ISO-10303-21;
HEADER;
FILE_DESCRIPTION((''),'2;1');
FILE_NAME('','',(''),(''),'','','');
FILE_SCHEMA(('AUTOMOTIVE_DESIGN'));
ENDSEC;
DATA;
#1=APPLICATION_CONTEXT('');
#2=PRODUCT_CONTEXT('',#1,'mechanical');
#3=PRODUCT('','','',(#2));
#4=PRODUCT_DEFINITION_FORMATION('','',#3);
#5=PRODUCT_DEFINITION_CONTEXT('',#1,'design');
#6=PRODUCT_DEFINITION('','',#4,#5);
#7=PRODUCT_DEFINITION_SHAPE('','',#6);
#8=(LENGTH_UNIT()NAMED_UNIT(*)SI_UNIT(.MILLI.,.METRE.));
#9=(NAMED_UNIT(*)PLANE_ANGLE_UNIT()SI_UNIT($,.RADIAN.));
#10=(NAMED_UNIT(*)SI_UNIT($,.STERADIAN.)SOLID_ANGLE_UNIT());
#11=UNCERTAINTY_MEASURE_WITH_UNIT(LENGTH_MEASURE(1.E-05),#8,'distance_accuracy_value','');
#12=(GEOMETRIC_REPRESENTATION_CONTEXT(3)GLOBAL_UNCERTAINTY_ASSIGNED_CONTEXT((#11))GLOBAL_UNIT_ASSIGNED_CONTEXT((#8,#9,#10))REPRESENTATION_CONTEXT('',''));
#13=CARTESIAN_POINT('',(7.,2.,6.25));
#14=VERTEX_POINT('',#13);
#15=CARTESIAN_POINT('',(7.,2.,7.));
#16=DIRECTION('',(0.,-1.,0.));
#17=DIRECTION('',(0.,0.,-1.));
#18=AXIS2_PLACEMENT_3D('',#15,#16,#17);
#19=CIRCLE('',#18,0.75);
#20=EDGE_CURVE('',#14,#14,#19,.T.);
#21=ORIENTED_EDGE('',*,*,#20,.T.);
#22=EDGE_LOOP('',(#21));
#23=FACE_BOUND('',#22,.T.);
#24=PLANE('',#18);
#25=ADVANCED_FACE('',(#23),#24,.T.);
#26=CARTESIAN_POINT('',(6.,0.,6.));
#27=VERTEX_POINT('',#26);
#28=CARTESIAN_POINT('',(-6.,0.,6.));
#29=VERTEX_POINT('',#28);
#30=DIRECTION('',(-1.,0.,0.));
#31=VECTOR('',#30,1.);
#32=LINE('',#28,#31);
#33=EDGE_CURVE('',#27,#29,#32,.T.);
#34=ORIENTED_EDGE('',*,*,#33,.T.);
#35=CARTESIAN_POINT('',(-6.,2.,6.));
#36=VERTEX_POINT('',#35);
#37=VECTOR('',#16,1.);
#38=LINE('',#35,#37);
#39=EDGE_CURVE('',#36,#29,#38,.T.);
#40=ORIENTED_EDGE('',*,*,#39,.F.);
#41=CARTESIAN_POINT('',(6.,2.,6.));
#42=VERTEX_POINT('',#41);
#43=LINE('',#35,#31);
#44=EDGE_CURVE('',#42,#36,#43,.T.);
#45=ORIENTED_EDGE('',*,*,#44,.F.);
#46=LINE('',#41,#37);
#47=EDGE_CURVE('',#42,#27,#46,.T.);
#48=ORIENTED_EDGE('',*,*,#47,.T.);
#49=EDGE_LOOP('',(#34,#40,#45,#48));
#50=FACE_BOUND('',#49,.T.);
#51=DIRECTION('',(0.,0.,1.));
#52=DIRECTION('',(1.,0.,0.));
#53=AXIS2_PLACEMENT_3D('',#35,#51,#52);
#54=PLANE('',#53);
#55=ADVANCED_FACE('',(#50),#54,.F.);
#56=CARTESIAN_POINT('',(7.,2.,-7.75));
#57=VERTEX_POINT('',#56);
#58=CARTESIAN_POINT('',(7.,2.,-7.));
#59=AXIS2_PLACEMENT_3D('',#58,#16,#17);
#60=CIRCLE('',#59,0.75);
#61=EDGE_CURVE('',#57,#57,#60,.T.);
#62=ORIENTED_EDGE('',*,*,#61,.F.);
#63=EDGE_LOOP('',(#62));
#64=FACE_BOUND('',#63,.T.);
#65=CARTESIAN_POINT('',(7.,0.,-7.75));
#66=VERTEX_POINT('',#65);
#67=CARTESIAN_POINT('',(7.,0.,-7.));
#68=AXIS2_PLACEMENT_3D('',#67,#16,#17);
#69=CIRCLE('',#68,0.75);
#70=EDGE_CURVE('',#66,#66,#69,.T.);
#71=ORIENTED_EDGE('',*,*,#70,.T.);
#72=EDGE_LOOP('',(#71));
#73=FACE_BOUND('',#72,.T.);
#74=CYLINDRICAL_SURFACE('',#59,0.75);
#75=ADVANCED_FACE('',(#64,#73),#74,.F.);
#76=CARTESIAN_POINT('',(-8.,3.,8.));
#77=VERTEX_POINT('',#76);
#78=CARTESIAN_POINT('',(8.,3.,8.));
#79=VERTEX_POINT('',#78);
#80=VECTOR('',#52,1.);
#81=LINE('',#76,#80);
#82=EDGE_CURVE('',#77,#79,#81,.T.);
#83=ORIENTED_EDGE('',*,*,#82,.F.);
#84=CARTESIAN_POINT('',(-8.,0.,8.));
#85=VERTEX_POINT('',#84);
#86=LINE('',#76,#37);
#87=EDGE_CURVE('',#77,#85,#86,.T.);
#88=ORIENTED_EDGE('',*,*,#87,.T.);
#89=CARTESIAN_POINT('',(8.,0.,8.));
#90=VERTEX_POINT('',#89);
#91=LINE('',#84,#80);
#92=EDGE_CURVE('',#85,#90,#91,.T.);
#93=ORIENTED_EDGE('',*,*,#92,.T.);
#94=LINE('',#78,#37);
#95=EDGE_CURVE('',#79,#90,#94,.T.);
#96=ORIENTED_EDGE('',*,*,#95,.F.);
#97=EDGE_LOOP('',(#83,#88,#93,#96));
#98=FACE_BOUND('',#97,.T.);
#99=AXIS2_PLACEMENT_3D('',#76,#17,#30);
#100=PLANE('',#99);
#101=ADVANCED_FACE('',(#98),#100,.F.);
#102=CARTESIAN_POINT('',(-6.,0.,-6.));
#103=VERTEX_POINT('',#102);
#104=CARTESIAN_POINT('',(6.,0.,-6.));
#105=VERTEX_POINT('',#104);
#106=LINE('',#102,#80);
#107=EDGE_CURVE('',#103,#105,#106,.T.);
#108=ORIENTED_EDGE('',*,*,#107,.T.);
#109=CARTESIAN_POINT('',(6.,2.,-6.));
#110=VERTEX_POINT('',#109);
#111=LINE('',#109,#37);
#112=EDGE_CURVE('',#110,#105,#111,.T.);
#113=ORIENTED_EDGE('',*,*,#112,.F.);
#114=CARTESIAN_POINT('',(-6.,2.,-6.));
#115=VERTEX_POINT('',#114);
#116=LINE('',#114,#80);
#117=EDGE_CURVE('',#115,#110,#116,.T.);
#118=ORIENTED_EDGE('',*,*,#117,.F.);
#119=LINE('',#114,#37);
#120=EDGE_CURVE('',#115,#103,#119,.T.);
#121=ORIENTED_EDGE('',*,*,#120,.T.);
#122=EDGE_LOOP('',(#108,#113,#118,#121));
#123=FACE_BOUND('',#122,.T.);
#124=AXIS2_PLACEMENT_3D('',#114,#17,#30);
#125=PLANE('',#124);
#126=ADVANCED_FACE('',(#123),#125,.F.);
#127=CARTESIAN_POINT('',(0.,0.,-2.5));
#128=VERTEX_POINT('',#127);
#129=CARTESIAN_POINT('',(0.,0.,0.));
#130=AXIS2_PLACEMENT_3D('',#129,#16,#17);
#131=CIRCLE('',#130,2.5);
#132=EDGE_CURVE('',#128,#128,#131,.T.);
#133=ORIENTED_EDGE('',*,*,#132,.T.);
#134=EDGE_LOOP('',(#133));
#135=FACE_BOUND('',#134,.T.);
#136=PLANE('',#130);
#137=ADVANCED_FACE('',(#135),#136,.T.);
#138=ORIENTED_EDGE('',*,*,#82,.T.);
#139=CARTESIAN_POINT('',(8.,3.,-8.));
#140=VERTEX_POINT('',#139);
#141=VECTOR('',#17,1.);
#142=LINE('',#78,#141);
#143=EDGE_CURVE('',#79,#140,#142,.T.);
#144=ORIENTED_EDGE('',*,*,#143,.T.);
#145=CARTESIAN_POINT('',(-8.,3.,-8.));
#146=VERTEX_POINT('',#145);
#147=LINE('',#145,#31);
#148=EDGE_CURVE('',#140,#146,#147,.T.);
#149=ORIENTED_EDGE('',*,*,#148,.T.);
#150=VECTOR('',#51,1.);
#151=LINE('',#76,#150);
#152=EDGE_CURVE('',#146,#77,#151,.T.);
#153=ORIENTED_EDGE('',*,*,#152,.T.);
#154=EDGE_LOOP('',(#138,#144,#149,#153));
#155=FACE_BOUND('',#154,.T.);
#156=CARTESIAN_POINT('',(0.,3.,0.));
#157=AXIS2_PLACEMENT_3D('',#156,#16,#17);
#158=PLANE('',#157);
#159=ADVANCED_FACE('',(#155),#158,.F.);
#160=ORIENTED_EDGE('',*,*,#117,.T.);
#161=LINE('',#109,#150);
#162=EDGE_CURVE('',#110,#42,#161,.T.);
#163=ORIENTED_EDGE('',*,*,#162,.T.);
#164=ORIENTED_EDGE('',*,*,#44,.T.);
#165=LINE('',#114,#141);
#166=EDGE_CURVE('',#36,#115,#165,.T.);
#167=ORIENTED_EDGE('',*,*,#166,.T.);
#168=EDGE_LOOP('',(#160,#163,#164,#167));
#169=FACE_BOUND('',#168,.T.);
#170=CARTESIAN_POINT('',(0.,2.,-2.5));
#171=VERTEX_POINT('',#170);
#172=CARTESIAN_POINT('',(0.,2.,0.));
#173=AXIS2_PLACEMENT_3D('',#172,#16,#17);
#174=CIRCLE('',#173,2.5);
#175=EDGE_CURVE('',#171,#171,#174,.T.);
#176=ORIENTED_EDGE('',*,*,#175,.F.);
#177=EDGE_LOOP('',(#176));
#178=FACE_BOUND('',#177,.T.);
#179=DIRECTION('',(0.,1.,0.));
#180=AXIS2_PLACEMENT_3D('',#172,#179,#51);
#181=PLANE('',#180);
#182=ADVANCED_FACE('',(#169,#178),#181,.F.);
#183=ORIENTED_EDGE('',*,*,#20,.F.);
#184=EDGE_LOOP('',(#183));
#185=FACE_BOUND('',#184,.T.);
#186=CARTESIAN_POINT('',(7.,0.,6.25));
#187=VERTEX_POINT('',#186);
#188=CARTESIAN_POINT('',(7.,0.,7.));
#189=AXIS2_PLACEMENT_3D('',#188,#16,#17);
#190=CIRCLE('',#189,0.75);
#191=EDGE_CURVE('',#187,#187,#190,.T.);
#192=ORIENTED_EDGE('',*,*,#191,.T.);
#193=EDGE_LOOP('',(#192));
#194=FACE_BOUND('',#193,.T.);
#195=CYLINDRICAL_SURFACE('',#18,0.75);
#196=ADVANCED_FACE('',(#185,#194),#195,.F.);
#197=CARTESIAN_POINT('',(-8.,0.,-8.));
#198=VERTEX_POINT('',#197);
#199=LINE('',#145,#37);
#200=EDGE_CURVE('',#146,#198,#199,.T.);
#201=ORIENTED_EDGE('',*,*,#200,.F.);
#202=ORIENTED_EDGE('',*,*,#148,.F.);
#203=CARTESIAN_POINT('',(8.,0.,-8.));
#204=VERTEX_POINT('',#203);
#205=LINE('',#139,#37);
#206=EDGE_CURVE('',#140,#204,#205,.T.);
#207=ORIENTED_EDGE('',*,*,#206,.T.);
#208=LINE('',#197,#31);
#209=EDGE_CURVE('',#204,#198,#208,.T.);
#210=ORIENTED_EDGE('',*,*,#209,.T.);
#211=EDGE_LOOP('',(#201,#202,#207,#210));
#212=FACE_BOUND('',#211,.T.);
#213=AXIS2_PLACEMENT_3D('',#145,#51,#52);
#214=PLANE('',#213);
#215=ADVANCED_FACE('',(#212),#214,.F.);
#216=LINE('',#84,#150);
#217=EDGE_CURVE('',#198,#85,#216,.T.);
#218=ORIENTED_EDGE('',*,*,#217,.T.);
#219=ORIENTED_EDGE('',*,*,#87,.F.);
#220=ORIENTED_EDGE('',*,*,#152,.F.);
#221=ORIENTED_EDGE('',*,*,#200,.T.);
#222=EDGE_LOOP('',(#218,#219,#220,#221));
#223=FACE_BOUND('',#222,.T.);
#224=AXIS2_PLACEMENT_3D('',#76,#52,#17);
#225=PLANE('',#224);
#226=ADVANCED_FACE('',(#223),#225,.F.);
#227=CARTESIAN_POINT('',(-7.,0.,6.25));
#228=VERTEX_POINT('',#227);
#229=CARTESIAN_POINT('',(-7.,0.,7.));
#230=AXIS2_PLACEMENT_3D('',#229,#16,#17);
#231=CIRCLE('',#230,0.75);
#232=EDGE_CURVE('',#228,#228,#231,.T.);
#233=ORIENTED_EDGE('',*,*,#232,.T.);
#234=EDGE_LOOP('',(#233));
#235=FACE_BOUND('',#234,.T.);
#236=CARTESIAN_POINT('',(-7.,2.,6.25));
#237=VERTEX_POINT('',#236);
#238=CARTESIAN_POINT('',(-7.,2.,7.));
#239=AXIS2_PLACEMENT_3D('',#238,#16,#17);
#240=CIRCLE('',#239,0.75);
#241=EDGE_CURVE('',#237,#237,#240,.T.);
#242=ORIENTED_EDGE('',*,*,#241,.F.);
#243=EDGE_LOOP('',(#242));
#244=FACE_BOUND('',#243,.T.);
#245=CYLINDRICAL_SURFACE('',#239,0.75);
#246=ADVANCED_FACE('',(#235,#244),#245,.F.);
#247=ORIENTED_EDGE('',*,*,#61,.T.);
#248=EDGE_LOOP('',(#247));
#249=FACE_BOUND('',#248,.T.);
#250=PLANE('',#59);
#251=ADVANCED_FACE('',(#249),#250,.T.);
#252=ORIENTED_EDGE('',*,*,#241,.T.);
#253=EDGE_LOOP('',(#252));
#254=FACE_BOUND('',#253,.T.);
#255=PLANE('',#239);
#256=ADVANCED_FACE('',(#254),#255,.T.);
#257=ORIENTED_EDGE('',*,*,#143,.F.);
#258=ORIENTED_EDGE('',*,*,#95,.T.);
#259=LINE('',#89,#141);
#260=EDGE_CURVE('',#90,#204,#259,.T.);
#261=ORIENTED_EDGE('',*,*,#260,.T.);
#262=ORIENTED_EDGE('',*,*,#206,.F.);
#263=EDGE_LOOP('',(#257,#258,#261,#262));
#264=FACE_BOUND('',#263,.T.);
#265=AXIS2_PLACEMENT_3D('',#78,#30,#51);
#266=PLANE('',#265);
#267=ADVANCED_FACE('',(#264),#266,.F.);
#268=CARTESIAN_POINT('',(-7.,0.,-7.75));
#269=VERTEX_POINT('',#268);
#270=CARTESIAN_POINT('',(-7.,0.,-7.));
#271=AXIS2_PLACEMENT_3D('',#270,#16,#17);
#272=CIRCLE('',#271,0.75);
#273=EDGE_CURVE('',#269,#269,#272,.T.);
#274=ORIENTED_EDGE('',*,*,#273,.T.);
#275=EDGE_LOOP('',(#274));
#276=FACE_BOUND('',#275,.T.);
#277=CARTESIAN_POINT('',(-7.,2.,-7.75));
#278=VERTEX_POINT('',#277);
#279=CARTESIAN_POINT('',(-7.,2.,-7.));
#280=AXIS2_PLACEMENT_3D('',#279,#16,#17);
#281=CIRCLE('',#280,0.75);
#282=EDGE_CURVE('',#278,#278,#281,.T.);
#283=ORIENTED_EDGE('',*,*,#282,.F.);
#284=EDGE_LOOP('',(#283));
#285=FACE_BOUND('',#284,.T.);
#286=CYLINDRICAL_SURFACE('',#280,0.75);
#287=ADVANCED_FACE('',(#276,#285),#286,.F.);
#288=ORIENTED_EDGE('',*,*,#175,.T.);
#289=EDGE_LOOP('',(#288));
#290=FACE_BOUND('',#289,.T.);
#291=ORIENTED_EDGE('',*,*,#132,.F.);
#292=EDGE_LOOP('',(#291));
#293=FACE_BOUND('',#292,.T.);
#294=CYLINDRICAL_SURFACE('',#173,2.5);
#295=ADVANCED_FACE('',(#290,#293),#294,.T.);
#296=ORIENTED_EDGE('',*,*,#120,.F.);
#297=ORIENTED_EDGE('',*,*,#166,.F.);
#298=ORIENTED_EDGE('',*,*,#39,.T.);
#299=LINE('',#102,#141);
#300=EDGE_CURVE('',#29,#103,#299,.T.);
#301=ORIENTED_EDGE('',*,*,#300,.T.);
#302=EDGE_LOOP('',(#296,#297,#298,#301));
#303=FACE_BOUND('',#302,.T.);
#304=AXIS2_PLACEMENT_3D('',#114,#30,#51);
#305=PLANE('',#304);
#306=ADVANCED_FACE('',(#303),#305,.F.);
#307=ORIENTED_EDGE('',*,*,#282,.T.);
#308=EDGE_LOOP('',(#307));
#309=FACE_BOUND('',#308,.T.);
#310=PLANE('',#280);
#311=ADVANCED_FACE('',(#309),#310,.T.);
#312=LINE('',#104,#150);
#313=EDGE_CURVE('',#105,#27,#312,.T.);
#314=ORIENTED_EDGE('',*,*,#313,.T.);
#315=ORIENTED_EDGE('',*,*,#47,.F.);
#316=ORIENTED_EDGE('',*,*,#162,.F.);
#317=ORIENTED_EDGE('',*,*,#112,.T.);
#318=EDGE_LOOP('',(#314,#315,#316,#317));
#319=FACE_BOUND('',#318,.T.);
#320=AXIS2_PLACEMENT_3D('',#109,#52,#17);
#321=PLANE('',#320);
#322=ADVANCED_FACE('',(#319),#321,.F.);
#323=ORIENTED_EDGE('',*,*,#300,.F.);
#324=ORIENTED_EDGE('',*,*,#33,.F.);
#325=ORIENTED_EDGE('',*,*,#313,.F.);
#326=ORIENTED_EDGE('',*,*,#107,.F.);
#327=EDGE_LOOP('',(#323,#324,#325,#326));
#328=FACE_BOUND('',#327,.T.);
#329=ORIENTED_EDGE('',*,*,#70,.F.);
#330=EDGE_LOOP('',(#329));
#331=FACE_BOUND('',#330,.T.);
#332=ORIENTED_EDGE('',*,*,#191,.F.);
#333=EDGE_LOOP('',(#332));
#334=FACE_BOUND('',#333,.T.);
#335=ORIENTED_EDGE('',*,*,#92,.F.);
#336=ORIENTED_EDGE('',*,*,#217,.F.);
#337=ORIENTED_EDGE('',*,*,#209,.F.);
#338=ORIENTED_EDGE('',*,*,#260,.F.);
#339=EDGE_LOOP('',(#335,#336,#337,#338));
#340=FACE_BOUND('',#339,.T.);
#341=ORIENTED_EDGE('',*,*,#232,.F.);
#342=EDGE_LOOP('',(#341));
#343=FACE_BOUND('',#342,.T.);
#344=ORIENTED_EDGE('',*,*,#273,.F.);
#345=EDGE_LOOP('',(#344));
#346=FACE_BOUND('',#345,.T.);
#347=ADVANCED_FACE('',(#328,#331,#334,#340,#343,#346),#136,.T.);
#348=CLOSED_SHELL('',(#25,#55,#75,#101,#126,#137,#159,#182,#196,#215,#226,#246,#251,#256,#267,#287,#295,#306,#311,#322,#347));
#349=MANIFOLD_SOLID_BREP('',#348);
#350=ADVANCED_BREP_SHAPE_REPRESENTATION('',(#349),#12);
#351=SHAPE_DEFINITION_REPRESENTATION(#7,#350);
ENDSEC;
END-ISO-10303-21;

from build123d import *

# Parameters (mm, degrees)
SKETCH1_W           = 16
SKETCH1_H           = 16
BOSS_EXTRUDE1_DEPTH = 3
SKETCH2_W           = 12
SKETCH2_H           = 12
SKETCH2_R           = 2.5
CUT_EXTRUDE1_DEPTH  = 2
SKETCH3_R           = 0.75
CUT_EXTRUDE2_DEPTH  = 2


with BuildPart() as part:
    # Sketch1 → Boss-Extrude1 (new body)
    with BuildSketch(Plane(origin=(0, 0, 0), x_dir=(1, 0, 0), z_dir=(0, 1, 0))):
        Rectangle(SKETCH1_W, SKETCH1_H)
    extrude(amount=BOSS_EXTRUDE1_DEPTH)

    # Sketch2 → Cut-Extrude1 (cut)
    with BuildSketch(Plane.XZ):
        Rectangle(SKETCH2_W, SKETCH2_H)
        Circle(SKETCH2_R, mode=Mode.SUBTRACT)
    extrude(amount=-CUT_EXTRUDE1_DEPTH, mode=Mode.SUBTRACT)

    # Sketch3 → Cut-Extrude2 (cut)
    with BuildSketch(Plane.XZ):
        with Locations((-7, 7)):
            Circle(SKETCH3_R)
        with Locations((7, 7)):
            Circle(SKETCH3_R)
        with Locations((7, -7)):
            Circle(SKETCH3_R)
        with Locations((-7, -7)):
            Circle(SKETCH3_R)
    extrude(amount=-CUT_EXTRUDE2_DEPTH, mode=Mode.SUBTRACT)


solid = part.part
